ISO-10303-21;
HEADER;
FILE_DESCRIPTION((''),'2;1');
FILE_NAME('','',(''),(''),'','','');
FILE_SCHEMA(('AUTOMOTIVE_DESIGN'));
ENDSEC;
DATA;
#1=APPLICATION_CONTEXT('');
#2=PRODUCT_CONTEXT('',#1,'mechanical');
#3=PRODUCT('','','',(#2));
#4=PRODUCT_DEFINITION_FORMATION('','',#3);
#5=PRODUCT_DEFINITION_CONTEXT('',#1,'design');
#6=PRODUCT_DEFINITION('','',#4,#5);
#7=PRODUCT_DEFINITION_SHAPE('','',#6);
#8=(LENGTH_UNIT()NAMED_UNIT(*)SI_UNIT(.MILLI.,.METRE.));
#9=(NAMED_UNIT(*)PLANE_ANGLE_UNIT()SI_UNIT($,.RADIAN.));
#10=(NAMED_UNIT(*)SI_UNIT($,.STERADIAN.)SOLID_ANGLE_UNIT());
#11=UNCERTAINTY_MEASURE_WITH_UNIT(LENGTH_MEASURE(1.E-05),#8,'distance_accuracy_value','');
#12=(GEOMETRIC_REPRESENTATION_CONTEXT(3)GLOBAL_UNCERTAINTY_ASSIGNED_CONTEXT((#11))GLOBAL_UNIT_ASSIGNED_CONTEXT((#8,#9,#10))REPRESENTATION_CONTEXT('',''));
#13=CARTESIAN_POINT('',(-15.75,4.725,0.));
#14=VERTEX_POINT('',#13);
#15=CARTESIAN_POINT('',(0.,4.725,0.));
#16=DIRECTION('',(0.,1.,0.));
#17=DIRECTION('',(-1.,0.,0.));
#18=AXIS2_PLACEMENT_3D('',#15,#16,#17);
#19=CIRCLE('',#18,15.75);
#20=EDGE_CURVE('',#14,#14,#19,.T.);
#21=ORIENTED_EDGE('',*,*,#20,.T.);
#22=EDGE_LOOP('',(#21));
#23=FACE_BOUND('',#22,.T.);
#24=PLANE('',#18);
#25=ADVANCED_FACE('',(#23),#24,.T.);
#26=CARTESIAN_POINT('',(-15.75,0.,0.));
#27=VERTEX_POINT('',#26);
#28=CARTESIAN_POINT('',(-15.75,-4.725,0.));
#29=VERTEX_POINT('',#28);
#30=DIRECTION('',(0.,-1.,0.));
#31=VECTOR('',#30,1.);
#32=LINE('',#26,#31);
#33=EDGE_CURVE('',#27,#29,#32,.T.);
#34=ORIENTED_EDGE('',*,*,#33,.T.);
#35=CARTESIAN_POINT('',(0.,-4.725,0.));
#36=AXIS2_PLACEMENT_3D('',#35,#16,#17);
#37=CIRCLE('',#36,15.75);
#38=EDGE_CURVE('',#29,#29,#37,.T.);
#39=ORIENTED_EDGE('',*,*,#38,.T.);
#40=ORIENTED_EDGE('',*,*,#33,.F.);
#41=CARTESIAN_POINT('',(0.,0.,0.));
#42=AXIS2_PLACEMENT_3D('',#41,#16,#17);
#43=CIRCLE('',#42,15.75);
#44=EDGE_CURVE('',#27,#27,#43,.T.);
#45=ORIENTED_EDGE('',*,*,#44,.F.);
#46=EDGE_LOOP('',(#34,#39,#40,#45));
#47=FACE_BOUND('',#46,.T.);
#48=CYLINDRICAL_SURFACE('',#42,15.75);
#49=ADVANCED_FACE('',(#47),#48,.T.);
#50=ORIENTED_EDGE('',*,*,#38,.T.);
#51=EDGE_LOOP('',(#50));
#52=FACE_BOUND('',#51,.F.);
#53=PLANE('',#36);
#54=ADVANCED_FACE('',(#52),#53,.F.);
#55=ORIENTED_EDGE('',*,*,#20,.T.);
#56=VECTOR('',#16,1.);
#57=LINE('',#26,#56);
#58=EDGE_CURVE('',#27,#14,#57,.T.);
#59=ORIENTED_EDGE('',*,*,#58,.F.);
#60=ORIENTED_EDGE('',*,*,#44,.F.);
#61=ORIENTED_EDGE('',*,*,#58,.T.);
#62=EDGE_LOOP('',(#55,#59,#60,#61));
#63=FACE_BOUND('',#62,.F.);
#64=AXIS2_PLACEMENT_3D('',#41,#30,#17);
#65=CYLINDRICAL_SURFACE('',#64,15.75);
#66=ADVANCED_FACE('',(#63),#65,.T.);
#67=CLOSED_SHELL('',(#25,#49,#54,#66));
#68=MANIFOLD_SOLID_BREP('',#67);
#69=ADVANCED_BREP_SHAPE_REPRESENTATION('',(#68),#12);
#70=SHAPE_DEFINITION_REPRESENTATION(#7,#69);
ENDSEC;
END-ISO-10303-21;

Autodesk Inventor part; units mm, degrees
ref_plane "YZ Plane" through (0, 0, 0) normal (1, 0, 0) x (0, 1, 0)
ref_plane "XZ Plane" through (0, 0, 0) normal (0, 1, 0) x (-1, 0, 0)
ref_plane "XY Plane" through (0, 0, 0) normal (0, 0, 1) x (1, 0, 0)
sketch "Sketch1" plane through (0, 0, 0) normal (0, 1, 0) x (-1, 0, 0)
  circle A0 centre (0, 0) radius 15.75
  dimension "d0" = 31.5
extrude "Extrusion1" add sketch "Sketch1" along normal mid plane 9.45
properties part number "Disk_Medium_All" material "Paper"
